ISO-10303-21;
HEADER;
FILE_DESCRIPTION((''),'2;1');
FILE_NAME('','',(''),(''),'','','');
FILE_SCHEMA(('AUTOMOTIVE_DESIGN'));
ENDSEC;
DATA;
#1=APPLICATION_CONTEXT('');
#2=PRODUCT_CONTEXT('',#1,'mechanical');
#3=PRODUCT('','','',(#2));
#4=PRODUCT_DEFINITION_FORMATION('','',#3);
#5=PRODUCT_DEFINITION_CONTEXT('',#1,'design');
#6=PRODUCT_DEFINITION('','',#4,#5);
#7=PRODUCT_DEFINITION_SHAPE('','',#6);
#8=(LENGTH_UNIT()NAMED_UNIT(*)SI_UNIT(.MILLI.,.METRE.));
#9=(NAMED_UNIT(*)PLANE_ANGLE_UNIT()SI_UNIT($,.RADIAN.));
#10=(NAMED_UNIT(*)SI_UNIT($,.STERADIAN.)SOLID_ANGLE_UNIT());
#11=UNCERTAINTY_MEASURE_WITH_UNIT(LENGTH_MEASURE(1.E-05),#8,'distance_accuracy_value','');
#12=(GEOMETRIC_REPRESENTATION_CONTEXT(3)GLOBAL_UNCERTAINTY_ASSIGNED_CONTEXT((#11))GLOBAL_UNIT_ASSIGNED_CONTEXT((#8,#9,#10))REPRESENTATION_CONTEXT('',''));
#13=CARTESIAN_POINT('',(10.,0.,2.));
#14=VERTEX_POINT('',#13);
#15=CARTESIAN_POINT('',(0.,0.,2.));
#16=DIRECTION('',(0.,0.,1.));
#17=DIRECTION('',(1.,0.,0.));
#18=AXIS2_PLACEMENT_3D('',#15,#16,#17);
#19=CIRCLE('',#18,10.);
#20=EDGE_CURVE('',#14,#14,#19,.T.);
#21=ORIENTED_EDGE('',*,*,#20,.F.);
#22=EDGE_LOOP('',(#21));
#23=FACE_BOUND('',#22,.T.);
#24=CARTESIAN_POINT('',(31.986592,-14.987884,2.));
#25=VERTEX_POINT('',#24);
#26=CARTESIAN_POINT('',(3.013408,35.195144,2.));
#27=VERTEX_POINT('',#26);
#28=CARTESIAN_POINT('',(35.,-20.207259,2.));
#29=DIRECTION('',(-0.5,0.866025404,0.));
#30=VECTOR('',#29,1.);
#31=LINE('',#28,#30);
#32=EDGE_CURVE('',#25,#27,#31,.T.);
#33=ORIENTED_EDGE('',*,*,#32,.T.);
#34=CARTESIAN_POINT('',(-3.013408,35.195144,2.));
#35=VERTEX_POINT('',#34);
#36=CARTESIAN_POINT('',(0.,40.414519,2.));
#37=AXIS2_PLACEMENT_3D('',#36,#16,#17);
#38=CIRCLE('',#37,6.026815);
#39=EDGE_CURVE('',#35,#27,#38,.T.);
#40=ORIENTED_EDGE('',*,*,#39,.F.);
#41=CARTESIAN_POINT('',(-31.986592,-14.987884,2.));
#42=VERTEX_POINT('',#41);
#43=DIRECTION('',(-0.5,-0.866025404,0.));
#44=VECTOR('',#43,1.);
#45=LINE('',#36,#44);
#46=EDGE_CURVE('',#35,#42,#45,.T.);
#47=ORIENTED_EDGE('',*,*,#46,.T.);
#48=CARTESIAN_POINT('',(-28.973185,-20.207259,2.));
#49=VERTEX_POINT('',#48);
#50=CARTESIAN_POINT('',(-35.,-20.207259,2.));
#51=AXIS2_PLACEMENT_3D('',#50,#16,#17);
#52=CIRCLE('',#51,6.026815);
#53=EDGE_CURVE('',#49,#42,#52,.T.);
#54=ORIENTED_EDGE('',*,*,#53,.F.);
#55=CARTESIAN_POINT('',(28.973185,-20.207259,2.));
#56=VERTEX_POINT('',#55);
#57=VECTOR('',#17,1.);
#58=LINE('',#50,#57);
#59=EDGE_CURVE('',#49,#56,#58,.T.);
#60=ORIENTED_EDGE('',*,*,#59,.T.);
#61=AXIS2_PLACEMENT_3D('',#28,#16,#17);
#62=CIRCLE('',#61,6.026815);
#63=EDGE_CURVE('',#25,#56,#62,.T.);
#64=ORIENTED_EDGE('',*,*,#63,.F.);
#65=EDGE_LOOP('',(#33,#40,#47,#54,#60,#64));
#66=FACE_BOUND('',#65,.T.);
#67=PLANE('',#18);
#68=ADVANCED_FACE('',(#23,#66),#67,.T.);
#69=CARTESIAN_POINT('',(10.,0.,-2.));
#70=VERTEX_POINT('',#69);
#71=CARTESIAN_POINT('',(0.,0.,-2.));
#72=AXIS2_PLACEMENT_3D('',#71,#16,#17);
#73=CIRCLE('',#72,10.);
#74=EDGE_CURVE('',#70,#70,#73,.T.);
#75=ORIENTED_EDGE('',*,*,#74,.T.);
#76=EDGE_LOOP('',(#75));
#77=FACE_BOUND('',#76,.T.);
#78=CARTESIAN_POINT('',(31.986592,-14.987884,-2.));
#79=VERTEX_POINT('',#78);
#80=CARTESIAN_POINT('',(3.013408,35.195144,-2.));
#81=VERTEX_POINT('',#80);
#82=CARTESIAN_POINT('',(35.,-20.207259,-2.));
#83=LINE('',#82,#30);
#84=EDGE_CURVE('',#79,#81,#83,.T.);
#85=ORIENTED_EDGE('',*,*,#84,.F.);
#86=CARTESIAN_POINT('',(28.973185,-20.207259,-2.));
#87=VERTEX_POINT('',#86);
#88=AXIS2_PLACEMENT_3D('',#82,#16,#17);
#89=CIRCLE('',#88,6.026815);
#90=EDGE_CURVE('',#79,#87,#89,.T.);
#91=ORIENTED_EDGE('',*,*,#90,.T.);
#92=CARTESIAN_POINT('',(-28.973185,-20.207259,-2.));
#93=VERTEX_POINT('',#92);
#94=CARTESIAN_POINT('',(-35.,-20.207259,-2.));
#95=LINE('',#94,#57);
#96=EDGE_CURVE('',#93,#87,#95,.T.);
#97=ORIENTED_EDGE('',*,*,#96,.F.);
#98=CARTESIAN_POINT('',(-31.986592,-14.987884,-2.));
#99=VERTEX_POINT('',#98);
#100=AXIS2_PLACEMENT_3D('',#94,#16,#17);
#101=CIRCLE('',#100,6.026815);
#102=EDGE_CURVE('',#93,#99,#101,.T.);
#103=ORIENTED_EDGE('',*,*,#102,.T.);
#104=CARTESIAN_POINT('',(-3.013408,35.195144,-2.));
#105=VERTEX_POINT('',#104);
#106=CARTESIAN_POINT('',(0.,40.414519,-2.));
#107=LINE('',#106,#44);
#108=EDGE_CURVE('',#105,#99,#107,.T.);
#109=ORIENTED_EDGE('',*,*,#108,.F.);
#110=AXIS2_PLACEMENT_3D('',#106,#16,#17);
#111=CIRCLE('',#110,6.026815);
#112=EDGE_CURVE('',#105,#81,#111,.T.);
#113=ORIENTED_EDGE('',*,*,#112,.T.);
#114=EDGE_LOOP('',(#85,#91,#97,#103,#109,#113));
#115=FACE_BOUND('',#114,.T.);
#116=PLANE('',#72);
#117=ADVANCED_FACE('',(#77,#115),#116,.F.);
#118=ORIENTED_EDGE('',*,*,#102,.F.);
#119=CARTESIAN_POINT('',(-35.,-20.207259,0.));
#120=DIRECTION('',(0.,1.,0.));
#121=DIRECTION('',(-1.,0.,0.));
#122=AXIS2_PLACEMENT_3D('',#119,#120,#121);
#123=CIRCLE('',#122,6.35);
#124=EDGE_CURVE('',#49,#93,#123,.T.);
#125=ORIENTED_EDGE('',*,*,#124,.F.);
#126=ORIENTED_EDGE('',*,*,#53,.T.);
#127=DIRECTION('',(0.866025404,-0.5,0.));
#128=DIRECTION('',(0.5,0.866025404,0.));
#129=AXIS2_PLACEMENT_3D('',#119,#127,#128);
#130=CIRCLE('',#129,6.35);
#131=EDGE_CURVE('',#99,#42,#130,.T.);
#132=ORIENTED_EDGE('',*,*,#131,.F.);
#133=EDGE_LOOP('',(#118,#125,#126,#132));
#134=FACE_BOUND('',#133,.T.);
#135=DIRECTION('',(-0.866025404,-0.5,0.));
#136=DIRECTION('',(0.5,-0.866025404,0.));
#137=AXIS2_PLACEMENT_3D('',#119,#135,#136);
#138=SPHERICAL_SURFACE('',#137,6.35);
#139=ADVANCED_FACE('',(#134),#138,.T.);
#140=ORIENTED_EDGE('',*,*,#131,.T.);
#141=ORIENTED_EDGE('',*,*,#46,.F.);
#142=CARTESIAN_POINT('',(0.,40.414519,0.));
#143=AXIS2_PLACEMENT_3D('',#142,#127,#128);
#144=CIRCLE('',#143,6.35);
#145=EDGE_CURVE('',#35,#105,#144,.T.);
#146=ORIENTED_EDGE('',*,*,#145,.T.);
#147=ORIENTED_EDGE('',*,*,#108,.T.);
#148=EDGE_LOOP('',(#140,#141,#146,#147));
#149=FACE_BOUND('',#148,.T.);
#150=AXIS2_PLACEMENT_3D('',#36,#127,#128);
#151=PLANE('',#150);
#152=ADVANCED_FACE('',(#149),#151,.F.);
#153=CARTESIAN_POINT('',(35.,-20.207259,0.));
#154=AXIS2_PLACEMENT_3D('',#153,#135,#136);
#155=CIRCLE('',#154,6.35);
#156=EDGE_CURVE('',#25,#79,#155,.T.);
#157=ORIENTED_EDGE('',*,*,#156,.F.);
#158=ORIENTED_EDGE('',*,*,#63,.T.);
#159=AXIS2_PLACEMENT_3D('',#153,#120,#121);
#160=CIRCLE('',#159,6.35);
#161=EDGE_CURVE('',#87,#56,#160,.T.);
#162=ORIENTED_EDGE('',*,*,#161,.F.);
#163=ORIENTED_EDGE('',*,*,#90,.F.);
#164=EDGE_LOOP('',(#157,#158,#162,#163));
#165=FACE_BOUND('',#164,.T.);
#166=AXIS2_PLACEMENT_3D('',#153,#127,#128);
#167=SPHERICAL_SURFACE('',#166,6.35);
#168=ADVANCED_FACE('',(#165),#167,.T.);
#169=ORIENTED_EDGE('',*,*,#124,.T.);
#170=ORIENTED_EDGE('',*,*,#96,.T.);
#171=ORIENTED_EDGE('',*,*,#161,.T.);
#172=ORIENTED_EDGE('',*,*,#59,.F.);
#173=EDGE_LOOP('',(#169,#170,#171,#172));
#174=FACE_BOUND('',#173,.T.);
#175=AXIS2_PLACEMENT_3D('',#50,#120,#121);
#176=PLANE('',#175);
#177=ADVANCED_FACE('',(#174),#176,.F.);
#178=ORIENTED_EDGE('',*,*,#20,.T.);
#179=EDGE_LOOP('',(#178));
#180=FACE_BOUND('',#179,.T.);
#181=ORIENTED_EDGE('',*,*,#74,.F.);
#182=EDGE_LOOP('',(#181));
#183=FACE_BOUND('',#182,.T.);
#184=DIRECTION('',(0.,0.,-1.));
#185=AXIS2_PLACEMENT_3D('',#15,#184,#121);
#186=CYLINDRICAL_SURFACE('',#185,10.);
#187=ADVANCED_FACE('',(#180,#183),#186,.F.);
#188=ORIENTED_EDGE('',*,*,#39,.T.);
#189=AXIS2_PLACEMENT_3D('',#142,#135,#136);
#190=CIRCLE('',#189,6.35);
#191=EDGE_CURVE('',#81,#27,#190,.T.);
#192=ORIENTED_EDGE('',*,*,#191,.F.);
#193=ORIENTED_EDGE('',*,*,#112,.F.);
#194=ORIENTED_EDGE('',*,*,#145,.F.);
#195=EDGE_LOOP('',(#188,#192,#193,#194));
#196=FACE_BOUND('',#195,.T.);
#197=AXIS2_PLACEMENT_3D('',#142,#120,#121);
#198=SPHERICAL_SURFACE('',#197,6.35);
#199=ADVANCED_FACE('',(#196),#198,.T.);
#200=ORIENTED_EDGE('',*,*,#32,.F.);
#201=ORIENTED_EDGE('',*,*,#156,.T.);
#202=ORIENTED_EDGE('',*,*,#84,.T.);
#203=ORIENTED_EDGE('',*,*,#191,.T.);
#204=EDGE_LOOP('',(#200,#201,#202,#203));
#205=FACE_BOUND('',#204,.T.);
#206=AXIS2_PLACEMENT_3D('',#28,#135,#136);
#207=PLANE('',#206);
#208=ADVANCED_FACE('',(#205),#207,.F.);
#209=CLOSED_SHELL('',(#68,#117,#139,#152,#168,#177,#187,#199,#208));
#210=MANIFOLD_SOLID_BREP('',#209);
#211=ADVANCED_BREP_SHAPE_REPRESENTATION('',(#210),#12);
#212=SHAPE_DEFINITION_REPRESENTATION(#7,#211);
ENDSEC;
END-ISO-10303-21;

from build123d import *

# Parameters (mm, degrees)
ESQUISSE1_R                  = 10
BOSS_EXTRU_1_DEPTH           = 2
R_P_TITION_CIRCULAIRE1_COUNT = 3


with BuildPart() as part:
    # Esquisse1 → Boss.-Extru.1 (new, symmetric)
    with BuildSketch(Plane.XY):
        Polygon((0, 40.414518843), (-35, -20.207259422), (35, -20.207259422), align=None)
        Circle(ESQUISSE1_R, mode=Mode.SUBTRACT)
    extrude(amount=BOSS_EXTRU_1_DEPTH, both=True)

    # Esquisse3 → Révolution1 (revolve)
    with BuildSketch(Plane.XY):
        with BuildLine():
            Line((0, 46.764518843), (0, 34.064518843))
            ThreePointArc((0, 34.064518843), (-6.35, 40.414518843), (0, 46.764518843))
        make_face()
    r_volution1 = revolve(axis=Axis((0, 46.764518843, 0), (0, -1, 0)))

    # Répétition circulaire1: Révolution1 ×3 about axis
    r_p_tition_circulaire1_axis = Axis((0, 0, 0), (0, 0, 1))
    for i in range(1, R_P_TITION_CIRCULAIRE1_COUNT):
        add(r_volution1.rotate(r_p_tition_circulaire1_axis, i * 360 / R_P_TITION_CIRCULAIRE1_COUNT))


solid = part.part
